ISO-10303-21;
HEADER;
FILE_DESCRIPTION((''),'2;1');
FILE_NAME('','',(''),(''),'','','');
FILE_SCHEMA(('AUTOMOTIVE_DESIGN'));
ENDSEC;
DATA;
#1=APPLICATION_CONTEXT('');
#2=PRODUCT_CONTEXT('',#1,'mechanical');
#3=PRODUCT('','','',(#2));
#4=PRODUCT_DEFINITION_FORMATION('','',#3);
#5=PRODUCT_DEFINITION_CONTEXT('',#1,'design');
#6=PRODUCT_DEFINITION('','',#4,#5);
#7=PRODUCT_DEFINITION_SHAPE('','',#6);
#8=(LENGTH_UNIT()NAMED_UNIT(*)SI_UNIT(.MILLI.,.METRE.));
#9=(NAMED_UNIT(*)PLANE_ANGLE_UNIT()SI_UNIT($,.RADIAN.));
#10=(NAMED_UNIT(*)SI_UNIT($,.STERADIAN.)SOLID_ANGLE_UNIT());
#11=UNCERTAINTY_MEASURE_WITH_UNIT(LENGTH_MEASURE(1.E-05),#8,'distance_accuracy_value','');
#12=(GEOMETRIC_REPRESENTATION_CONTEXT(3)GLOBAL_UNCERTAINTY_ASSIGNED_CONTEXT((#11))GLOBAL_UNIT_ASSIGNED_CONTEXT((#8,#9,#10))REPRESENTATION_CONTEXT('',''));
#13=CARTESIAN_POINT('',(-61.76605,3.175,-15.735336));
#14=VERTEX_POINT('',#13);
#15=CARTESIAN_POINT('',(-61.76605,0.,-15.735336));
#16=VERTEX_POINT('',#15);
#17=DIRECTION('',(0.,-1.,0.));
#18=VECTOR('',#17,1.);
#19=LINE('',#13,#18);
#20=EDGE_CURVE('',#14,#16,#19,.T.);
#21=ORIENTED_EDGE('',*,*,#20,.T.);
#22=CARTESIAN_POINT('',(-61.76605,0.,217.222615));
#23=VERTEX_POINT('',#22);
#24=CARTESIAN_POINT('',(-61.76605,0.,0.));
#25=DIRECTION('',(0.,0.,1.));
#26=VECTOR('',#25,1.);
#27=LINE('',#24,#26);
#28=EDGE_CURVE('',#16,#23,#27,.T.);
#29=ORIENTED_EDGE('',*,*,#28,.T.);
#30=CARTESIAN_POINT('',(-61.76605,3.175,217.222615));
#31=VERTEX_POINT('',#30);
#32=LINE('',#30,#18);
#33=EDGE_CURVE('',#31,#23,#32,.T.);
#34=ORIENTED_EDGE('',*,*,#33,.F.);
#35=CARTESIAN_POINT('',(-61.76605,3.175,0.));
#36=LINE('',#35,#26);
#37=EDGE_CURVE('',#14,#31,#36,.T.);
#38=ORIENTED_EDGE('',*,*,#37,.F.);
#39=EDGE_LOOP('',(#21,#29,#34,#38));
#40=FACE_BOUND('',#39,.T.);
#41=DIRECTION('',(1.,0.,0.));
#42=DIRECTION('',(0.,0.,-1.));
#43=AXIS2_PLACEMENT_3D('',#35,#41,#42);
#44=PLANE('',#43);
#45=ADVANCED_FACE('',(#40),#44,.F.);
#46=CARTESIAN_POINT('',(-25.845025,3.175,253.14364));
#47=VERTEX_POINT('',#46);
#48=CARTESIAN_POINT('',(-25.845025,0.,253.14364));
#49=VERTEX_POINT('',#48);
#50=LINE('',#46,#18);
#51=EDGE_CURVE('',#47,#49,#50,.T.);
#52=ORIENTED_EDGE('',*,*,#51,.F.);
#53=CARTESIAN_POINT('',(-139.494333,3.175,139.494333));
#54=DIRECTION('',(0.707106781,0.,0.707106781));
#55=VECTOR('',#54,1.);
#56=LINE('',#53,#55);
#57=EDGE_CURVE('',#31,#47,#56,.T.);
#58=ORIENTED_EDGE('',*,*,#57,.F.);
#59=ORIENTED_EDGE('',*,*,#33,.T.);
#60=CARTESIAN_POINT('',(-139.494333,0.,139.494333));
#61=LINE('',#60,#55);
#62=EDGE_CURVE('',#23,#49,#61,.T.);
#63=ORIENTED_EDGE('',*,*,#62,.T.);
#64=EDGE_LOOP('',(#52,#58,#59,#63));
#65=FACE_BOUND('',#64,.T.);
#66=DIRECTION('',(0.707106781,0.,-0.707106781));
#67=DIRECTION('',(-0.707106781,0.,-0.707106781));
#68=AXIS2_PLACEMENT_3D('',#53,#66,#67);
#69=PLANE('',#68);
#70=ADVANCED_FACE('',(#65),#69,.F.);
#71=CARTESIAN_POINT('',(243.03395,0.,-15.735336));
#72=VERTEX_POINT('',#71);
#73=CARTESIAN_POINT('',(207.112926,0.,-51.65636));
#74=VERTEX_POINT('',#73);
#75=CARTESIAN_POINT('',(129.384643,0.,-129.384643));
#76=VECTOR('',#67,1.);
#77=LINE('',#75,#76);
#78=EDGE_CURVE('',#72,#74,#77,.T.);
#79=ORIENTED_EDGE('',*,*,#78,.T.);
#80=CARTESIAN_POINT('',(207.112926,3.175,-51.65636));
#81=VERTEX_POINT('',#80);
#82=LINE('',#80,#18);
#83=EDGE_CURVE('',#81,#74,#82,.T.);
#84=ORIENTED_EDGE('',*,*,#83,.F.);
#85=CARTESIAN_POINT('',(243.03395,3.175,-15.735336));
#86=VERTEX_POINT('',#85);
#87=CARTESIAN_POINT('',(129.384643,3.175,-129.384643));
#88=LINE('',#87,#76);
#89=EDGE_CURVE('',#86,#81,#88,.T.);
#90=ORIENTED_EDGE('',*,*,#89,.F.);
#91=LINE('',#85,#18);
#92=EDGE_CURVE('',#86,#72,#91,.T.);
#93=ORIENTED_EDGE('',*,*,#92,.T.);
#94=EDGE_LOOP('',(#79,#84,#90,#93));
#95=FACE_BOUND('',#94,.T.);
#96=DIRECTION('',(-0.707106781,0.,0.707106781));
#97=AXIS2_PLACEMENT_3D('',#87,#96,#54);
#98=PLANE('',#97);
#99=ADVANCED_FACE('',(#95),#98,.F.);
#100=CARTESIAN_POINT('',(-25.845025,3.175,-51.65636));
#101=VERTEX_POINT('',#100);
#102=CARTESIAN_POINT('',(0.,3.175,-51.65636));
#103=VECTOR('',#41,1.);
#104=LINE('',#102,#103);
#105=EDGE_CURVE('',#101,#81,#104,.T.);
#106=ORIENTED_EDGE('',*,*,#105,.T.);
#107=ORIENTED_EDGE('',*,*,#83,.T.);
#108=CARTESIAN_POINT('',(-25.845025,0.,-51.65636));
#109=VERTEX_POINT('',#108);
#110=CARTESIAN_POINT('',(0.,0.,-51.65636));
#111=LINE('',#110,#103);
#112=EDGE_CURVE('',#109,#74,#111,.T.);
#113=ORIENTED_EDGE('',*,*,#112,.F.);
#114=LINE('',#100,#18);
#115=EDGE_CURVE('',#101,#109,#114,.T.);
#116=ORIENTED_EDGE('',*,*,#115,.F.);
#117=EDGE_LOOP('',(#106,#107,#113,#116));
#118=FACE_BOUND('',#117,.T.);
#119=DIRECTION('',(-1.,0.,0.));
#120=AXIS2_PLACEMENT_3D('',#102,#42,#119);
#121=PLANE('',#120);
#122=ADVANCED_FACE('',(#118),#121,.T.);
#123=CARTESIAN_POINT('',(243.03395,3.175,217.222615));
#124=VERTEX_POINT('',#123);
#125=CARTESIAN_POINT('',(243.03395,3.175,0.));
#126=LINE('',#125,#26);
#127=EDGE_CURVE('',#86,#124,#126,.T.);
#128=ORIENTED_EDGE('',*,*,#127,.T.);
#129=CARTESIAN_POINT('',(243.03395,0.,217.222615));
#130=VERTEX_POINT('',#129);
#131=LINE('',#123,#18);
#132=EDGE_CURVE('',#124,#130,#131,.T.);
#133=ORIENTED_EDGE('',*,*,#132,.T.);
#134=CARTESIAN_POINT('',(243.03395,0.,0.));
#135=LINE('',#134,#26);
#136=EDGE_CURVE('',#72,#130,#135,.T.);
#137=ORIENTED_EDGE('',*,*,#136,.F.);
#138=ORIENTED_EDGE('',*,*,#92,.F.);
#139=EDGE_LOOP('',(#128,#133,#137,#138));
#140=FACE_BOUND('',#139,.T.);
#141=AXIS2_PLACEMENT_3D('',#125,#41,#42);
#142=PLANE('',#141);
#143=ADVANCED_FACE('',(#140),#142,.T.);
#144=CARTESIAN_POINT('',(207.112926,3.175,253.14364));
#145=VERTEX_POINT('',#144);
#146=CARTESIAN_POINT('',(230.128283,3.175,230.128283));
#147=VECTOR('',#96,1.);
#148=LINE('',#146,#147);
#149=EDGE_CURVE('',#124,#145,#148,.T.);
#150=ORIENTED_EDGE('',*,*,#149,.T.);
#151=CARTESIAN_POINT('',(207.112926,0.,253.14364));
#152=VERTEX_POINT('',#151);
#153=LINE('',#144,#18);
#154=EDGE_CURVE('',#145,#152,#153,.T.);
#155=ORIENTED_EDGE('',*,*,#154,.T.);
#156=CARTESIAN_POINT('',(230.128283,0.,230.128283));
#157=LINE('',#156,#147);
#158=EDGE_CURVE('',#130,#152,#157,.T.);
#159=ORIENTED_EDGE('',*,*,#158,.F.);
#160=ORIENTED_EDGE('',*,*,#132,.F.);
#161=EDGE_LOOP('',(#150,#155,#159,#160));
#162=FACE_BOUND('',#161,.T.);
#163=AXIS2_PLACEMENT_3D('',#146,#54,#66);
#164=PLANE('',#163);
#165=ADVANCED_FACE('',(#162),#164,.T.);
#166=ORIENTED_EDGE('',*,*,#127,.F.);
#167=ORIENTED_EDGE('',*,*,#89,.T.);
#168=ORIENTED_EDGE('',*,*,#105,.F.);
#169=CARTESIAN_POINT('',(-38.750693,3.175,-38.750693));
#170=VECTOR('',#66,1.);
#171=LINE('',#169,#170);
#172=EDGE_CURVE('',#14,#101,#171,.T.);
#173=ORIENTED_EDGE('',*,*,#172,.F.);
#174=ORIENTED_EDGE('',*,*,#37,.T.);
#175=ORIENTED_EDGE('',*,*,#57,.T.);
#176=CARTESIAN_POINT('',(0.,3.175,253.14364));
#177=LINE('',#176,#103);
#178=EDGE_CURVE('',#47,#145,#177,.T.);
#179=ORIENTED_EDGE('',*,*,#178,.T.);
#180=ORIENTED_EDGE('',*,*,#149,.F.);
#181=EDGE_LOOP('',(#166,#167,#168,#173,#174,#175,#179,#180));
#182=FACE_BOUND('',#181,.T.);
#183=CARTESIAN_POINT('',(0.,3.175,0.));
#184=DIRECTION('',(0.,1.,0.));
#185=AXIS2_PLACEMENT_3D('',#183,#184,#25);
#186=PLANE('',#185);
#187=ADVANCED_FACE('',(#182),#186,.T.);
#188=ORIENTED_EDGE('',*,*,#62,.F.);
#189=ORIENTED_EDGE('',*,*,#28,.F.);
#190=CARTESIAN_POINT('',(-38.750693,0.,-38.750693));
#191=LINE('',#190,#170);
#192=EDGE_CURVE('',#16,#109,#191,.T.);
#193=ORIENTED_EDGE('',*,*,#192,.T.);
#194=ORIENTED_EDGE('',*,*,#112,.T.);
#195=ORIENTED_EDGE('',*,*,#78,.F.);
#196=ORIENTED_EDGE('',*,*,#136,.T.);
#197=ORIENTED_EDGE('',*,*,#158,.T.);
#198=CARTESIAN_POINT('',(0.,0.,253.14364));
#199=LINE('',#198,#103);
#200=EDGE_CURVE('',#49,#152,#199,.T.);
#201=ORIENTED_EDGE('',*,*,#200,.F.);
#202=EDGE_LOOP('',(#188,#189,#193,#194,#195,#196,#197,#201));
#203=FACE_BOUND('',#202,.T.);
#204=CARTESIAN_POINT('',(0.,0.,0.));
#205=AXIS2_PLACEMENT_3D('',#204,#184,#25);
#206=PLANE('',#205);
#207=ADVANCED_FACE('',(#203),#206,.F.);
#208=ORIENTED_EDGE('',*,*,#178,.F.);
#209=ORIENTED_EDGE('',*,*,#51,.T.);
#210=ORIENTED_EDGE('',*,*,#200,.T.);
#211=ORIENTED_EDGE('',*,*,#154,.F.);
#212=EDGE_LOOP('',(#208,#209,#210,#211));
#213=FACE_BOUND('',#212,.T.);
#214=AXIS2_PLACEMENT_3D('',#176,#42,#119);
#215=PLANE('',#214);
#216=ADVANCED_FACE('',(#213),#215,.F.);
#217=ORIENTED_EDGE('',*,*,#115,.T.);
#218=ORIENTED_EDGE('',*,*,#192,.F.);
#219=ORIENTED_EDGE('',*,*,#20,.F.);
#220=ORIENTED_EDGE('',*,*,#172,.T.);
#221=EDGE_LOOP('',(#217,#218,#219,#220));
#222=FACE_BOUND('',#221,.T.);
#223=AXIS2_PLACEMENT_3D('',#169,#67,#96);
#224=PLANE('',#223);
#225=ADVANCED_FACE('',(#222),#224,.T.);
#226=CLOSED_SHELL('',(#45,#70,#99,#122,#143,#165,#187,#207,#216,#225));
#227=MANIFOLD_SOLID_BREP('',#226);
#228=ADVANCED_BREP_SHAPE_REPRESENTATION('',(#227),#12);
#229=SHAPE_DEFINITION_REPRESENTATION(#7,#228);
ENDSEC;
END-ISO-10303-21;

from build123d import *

# Parameters (mm, degrees)
BOSS_EXTRUDE1_DEPTH = 3.175


with BuildPart() as part:
    # Sketch1 → Boss-Extrude1 (new body)
    with BuildSketch(Plane(origin=(0, 0, 0), x_dir=(1, 0, 0), z_dir=(0, 1, 0))):
        Polygon((-25.845025354, 51.656360067), (-61.766049839, 15.735335583), (-61.766049839, -217.222615449), (-25.845025354, -253.143639933), (207.112925677, -253.143639933), (243.033950161, -217.222615449), (243.033950161, 15.735335583), (207.112925677, 51.656360067), align=None)
    extrude(amount=BOSS_EXTRUDE1_DEPTH)


solid = part.part
